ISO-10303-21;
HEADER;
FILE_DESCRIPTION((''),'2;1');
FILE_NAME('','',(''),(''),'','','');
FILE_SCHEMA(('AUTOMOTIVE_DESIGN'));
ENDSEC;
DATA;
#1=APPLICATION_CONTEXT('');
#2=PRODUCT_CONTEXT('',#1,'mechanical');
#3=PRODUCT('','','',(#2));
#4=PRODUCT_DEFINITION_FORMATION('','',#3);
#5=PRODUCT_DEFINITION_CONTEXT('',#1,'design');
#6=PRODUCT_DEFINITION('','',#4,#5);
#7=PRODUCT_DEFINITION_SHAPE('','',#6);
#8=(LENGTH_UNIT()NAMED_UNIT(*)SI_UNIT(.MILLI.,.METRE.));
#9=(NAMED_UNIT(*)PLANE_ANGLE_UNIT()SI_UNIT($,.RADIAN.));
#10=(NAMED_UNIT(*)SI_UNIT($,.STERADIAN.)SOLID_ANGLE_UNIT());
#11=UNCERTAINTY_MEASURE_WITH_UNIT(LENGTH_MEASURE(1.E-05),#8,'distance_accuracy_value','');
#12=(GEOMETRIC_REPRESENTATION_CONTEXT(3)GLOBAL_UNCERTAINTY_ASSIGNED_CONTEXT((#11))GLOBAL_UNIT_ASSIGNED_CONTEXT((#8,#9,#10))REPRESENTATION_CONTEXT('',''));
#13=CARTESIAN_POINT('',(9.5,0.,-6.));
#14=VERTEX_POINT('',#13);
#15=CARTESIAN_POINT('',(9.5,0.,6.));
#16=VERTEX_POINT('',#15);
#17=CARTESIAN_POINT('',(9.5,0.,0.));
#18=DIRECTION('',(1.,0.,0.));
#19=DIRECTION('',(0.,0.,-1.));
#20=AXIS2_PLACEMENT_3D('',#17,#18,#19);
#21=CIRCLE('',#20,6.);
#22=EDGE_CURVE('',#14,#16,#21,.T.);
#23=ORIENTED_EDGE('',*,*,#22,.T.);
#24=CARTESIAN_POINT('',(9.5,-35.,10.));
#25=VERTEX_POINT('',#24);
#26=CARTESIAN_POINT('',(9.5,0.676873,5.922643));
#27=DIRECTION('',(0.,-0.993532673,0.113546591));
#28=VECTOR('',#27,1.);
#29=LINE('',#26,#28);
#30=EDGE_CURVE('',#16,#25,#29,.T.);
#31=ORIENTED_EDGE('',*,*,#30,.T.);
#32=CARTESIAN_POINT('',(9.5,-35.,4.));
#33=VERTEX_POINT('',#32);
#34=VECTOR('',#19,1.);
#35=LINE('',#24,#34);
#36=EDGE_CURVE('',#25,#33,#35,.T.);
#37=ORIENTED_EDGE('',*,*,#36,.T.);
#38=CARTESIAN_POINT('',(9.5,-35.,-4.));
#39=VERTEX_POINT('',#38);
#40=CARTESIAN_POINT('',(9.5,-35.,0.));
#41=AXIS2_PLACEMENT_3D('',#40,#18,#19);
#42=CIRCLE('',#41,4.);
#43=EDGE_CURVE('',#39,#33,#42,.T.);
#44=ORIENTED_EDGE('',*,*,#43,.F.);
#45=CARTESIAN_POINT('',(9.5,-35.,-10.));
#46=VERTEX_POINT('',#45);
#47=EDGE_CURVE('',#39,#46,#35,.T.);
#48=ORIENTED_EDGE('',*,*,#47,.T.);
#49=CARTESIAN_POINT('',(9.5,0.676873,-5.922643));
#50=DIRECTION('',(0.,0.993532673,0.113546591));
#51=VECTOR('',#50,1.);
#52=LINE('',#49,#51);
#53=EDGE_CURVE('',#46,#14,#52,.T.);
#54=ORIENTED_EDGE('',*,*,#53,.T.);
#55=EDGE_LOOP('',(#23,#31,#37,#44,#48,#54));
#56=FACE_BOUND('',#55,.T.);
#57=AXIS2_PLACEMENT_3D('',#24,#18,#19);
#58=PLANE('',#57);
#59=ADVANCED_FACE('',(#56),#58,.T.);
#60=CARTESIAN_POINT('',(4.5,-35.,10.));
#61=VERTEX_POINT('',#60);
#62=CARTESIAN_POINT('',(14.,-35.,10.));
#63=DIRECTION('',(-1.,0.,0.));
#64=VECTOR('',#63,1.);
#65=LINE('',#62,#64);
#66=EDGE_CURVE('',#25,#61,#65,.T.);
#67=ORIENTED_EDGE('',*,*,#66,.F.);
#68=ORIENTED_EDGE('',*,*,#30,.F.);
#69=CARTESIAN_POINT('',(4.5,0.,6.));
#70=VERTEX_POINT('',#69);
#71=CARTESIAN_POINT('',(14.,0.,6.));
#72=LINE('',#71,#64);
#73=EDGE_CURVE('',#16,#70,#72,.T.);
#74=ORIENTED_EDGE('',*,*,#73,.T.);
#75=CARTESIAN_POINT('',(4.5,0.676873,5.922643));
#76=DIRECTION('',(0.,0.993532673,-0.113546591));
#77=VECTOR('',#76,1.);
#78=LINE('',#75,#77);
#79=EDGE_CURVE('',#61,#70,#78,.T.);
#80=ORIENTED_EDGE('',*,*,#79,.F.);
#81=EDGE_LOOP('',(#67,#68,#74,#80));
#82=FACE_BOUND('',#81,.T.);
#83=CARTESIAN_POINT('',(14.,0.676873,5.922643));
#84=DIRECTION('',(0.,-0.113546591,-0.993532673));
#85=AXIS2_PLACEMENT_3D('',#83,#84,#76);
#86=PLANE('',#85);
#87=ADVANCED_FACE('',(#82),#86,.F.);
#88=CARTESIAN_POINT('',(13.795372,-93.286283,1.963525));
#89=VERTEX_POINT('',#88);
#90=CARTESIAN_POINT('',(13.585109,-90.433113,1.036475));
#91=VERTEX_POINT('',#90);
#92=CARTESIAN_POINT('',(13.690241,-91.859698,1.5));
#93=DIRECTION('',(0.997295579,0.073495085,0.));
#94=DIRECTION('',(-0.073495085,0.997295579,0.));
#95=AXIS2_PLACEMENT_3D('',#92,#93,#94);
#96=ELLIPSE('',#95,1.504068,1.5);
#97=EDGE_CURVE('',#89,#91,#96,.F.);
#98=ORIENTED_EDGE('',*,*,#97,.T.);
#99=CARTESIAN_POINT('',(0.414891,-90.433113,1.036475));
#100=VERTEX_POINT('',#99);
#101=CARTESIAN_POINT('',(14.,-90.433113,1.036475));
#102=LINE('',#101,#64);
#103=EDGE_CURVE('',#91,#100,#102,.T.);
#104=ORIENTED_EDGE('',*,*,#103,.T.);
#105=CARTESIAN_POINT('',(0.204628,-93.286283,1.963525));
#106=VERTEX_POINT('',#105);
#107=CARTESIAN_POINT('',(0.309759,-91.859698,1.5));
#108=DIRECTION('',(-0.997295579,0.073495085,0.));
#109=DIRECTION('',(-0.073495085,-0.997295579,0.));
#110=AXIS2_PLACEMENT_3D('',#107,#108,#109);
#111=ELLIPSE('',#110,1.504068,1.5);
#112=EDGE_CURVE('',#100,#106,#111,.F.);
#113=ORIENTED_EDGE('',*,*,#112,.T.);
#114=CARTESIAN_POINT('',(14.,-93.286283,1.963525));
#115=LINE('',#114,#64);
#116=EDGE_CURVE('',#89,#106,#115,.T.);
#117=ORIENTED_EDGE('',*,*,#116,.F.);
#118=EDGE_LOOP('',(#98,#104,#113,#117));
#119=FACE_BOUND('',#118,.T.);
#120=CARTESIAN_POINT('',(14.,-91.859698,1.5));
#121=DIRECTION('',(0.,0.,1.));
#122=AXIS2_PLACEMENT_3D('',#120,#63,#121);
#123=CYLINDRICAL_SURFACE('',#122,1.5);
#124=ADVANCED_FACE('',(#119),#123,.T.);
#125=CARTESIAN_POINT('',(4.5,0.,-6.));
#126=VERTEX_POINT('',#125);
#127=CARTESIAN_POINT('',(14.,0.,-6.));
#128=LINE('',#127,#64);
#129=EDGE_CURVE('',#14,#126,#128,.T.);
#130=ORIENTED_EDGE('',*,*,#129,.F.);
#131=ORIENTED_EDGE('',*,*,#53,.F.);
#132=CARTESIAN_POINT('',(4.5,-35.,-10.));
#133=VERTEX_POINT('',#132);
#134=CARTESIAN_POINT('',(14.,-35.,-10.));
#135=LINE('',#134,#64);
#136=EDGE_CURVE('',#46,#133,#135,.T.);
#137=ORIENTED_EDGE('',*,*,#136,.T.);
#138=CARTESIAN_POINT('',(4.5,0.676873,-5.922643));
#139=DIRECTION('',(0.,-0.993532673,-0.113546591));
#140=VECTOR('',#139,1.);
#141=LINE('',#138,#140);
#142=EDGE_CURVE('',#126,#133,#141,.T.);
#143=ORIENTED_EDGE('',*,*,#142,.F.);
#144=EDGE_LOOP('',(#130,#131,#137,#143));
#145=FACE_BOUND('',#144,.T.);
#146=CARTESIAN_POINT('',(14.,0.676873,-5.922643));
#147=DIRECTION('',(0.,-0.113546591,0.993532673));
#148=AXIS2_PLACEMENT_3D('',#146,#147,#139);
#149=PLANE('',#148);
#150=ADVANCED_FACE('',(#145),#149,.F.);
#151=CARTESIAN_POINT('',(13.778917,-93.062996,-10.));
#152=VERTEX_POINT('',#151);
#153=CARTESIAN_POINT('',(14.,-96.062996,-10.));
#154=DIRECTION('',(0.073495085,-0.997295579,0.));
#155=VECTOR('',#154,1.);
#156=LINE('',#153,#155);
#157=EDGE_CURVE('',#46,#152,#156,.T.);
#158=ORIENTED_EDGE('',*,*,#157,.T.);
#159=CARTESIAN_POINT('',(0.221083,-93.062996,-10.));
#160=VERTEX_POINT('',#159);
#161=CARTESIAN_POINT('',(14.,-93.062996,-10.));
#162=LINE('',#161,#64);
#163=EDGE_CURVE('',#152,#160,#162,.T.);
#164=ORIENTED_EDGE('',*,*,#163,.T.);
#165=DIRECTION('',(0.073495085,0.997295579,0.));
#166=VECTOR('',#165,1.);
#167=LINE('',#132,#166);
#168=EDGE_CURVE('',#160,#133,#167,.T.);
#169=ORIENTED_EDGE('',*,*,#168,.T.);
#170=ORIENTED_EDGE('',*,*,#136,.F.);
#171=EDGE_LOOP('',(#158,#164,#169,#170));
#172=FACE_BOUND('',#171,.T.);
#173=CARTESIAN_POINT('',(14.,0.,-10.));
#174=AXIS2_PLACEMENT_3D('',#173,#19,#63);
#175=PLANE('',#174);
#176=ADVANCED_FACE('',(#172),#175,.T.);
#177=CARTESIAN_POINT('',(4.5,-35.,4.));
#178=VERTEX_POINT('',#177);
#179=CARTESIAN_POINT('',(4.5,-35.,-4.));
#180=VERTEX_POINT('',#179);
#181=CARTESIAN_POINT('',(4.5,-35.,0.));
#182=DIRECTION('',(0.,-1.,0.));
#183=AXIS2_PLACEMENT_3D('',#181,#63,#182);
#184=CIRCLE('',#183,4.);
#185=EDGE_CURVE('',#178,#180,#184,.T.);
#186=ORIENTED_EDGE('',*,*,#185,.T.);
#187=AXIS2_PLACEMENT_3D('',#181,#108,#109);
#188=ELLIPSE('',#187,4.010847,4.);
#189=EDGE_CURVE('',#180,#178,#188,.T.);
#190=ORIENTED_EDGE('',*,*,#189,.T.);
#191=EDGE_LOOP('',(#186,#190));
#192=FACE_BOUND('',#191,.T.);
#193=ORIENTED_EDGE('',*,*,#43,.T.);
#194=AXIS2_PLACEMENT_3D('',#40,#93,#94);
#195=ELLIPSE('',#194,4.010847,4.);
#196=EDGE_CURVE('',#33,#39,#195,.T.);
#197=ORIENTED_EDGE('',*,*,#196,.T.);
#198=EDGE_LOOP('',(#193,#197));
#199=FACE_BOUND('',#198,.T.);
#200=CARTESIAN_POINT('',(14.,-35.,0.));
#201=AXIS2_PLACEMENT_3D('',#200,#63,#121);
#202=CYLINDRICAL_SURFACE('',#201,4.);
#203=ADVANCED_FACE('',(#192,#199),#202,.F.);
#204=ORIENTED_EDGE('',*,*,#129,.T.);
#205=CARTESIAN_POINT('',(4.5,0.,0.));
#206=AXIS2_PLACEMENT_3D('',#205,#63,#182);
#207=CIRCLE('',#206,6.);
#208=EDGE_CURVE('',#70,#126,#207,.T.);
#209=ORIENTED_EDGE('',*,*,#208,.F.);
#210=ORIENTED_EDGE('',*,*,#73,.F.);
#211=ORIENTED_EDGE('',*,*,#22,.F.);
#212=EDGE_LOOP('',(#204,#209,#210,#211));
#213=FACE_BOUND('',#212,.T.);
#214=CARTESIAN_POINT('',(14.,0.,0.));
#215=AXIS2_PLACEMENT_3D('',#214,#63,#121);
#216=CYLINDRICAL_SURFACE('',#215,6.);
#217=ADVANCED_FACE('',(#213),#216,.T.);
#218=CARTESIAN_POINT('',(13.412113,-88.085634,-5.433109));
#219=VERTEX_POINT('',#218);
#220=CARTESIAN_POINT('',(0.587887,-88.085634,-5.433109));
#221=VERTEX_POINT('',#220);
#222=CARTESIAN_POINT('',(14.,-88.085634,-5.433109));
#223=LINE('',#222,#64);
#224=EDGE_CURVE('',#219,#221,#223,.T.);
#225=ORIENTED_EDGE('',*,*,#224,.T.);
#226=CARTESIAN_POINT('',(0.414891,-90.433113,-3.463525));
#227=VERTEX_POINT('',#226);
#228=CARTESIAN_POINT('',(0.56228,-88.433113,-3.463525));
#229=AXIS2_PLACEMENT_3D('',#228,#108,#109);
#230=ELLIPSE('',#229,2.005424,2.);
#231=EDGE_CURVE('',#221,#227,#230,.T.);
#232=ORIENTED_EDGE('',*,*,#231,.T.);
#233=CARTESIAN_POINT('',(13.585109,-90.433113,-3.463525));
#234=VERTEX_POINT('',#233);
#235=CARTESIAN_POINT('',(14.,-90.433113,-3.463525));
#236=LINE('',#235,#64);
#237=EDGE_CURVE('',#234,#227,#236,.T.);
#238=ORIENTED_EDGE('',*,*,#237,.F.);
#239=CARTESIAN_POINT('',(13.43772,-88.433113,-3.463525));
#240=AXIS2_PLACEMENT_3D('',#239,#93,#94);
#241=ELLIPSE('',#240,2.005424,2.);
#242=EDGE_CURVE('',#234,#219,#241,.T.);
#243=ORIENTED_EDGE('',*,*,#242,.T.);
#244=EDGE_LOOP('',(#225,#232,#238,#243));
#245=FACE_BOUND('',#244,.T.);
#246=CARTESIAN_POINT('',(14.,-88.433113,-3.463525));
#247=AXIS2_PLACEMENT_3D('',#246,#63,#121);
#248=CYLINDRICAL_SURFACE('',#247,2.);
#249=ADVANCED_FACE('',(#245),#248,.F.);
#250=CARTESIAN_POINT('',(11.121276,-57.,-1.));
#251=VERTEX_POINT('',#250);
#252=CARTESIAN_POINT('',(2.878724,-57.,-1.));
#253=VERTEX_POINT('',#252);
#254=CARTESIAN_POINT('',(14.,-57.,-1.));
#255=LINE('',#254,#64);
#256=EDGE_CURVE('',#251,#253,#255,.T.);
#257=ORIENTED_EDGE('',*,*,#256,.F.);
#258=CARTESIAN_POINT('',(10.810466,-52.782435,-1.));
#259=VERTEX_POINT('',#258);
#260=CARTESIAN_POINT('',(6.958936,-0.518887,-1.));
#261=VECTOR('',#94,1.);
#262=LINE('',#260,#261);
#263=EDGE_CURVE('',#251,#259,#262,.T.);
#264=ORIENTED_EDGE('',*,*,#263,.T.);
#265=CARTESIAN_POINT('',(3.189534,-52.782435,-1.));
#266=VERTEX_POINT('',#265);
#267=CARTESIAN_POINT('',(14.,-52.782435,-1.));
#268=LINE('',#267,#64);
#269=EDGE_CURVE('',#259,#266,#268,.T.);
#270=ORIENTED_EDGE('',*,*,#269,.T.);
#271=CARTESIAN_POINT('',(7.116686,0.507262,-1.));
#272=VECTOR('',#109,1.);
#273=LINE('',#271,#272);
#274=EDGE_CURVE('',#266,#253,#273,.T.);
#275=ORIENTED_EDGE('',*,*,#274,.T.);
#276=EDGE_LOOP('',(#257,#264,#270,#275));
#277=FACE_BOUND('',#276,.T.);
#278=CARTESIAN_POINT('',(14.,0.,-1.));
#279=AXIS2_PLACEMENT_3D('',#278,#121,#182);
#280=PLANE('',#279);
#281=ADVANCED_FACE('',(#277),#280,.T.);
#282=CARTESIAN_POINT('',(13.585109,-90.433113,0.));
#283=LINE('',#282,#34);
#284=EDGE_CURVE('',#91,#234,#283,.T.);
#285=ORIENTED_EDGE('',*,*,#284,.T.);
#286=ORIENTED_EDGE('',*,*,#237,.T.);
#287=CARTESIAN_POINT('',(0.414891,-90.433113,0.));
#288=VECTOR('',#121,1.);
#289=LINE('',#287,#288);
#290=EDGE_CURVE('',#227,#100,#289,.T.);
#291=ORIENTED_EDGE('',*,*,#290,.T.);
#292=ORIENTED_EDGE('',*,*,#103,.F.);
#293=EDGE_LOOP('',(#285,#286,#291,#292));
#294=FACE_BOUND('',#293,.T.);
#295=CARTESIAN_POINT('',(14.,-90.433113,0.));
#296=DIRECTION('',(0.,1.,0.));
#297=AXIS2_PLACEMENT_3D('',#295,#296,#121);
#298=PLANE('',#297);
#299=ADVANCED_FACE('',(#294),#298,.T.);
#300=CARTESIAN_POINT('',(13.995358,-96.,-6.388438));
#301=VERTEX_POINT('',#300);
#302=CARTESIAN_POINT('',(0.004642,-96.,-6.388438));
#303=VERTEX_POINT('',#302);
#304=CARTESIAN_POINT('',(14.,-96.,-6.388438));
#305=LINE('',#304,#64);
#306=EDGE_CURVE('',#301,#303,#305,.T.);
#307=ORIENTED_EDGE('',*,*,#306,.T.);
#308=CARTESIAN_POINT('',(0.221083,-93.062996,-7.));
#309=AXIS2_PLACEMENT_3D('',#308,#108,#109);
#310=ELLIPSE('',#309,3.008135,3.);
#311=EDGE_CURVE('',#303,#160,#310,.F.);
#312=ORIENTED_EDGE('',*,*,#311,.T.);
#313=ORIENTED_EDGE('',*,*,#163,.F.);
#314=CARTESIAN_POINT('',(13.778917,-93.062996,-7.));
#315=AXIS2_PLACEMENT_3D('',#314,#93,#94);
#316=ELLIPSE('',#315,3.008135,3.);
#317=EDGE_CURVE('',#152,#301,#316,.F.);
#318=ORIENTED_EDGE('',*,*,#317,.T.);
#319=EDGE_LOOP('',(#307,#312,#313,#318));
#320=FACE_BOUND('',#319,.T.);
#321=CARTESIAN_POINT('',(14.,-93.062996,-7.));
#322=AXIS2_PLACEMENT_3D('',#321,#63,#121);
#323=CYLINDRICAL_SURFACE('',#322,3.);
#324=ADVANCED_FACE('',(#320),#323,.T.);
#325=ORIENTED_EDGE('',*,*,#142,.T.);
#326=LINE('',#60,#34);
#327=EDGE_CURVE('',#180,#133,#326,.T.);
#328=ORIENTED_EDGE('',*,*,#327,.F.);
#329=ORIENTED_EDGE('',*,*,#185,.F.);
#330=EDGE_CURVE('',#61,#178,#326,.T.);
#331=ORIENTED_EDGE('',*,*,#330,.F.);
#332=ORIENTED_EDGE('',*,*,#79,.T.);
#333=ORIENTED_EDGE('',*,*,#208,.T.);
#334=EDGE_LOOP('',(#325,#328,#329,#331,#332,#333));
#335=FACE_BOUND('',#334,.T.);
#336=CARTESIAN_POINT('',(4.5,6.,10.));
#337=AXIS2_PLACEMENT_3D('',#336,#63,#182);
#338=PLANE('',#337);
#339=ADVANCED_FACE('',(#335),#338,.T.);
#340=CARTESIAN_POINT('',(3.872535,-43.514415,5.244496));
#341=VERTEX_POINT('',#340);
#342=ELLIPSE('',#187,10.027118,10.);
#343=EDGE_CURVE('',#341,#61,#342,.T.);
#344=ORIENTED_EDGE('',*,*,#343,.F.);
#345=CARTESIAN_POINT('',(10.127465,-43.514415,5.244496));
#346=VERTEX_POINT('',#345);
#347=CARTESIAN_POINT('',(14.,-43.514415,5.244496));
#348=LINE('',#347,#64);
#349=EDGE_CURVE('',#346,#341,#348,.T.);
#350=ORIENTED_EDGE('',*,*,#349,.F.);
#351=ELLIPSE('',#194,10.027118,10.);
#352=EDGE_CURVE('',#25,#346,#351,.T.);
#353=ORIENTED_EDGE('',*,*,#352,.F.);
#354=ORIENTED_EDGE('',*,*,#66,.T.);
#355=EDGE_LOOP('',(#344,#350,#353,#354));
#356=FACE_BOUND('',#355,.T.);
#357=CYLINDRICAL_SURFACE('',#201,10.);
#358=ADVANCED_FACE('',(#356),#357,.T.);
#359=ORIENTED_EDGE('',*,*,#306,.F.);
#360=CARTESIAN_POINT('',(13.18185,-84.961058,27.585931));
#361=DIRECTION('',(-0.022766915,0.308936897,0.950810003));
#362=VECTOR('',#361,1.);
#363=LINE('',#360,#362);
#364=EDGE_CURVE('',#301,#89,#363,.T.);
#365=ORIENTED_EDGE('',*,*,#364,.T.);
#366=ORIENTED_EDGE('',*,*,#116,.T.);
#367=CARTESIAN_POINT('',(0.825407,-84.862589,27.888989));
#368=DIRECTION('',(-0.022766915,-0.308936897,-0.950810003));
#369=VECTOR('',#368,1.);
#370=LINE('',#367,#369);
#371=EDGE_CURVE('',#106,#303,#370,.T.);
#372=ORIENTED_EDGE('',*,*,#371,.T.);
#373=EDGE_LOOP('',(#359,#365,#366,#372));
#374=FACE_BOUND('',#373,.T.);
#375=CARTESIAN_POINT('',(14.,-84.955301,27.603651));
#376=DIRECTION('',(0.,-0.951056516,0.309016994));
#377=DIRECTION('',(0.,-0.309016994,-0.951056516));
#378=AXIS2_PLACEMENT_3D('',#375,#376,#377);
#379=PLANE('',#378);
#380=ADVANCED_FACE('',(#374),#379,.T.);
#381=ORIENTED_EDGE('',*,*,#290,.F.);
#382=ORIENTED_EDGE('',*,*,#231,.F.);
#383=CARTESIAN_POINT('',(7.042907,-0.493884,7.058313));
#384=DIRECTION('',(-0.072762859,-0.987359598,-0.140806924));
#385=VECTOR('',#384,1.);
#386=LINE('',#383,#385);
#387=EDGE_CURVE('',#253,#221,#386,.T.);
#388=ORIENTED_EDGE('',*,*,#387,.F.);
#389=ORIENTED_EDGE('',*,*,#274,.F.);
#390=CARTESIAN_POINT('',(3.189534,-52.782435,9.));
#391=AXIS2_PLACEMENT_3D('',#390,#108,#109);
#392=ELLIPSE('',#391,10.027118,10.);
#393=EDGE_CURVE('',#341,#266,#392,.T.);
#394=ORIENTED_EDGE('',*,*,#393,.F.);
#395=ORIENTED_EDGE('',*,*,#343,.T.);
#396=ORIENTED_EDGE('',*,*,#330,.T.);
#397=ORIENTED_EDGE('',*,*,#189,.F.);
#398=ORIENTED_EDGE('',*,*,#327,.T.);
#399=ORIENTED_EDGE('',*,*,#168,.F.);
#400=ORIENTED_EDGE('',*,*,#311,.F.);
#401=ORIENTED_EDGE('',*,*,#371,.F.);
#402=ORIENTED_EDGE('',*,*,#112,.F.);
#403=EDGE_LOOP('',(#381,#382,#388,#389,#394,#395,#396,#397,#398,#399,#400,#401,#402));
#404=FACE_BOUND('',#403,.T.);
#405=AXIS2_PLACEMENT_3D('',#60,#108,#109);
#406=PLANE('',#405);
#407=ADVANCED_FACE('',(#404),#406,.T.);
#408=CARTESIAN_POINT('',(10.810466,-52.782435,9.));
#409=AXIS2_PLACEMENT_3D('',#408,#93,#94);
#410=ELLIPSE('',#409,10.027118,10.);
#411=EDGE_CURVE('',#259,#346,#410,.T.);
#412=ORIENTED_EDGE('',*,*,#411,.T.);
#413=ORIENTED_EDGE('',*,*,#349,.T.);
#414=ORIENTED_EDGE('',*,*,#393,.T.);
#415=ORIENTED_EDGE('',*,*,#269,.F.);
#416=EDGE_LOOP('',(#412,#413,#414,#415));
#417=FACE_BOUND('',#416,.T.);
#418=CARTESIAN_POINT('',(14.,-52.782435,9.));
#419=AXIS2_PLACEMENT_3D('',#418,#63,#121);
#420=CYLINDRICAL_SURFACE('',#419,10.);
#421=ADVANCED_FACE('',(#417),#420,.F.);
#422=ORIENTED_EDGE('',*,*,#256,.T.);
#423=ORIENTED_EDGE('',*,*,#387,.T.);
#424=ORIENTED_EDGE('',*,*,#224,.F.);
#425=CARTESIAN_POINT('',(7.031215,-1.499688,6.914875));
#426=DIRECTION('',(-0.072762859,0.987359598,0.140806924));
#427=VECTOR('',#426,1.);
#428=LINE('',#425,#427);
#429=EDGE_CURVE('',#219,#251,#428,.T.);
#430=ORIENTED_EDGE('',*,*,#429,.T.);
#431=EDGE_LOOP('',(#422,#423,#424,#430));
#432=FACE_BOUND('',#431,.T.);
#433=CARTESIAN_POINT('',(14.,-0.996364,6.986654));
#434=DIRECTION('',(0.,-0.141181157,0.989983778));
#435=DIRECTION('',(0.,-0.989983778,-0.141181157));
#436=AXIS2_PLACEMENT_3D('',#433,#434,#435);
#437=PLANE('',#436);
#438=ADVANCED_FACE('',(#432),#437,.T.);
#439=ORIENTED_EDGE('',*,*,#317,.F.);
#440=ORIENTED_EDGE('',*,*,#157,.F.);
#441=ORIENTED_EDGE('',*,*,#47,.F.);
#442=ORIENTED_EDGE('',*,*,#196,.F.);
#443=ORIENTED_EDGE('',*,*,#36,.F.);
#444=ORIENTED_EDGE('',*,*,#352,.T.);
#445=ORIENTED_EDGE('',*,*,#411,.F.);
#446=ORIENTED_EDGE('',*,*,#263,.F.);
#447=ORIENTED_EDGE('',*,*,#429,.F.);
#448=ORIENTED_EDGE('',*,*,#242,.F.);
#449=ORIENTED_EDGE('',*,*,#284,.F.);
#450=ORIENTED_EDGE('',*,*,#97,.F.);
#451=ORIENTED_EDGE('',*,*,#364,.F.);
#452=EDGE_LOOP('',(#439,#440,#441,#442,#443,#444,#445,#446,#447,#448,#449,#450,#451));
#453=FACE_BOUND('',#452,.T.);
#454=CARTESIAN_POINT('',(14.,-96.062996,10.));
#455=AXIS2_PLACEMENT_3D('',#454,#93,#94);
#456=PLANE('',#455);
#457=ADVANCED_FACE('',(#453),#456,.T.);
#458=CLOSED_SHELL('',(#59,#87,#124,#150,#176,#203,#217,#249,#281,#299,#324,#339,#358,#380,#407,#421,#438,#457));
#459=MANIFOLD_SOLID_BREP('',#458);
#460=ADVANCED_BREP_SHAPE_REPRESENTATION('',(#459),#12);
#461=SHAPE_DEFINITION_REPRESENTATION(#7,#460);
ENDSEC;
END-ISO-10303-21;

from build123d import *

# Parameters (mm, degrees)
BOSS_EXTRUDE1_DEPTH = 14
SKETCH5_OUTSIDE_W   = 36.988
SKETCH5_OUTSIDE_H   = 125.051
CUT_EXTRUDE1_DEPTH  = 100.116594104


with BuildPart() as part:
    # Sketch2 → Boss-Extrude1 (new body)
    with BuildSketch(Plane(origin=(0, 0, 0), x_dir=(0, 0, -1), z_dir=(1, 0, 0))):
        with BuildLine():
            ThreePointArc((6, 0), (0, 6), (-6, 0))
            Line((-6, 0), (-9.742143433, -32.743755036))
            ThreePointArc((-9.742143433, -32.743755036), (0, -25), (9.742143433, -32.743755036))
            Line((9.742143433, -32.743755036), (6, 0))
        make_face()
        with BuildLine():
            ThreePointArc((9.742143433, -32.743755036), (0, -25), (-9.742143433, -32.743755036))
            Line((-9.742143433, -32.743755036), (-10, -35))
            Line((-10, -35), (-4, -35))
            ThreePointArc((-4, -35), (0, -31), (4, -35))
            Line((4, -35), (10, -35))
            Line((10, -35), (9.742143433, -32.743755036))
        make_face()
        with BuildLine():
            Line((-4, -35), (-10, -35))
            ThreePointArc((-10, -35), (-8.730548592, -39.876219979), (-5.244495744, -43.514415094))
            Line((-5.244495744, -43.514415094), (10, -35))
            Line((10, -35), (4, -35))
            ThreePointArc((4, -35), (0, -39), (-4, -35))
        make_face()
        with BuildLine():
            Line((10, -57), (10, -35))
            ThreePointArc((10, -35), (5.587707823, -43.293221406), (-3.755504256, -44.268019626))
            ThreePointArc((-3.755504256, -44.268019626), (-0.269451408, -47.906214741), (1, -52.78243472))
            Line((1, -52.78243472), (1, -57))
            Line((1, -57), (5.433108836, -88.085634368))
            ThreePointArc((5.433108836, -88.085634368), (4.995673886, -89.718617368), (3.463525492, -90.433113071))
            Line((3.463525492, -90.433113071), (-1.036474508, -90.433113071))
            ThreePointArc((-1.036474508, -90.433113071), (-2.926584774, -91.396172354), (-1.963525492, -93.28628262))
            Line((-1.963525492, -93.28628262), (6.388437813, -96))
            ThreePointArc((6.388437813, -96), (8.892790723, -95.390514833), (10, -93.062996137))
            Line((10, -93.062996137), (10, -57))
        make_face()
        with BuildLine():
            Line((10, -35), (-5.244495744, -43.514415094))
            ThreePointArc((-5.244495744, -43.514415094), (-4.484252006, -43.860102062), (-3.755504256, -44.268019626))
            ThreePointArc((-3.755504256, -44.268019626), (5.587707823, -43.293221406), (10, -35))
        make_face()
    extrude(amount=BOSS_EXTRUDE1_DEPTH)

    # Sketch5 outside → Cut-Extrude1 (cut, through all)
    with BuildSketch(Plane(origin=(0, 0, -10), x_dir=(-1, 0, 0), z_dir=(0, 0, -1))):
        with Locations((-7, -45.0315)):
            Rectangle(SKETCH5_OUTSIDE_W, SKETCH5_OUTSIDE_H)
        Polygon((0, -96.062996137), (-14, -96.062996137), (-9.5, -35), (-9.5, 6), (-4.5, 6), (-4.5, -35), align=None, mode=Mode.SUBTRACT)
    extrude(amount=-CUT_EXTRUDE1_DEPTH, mode=Mode.SUBTRACT)


solid = part.part
